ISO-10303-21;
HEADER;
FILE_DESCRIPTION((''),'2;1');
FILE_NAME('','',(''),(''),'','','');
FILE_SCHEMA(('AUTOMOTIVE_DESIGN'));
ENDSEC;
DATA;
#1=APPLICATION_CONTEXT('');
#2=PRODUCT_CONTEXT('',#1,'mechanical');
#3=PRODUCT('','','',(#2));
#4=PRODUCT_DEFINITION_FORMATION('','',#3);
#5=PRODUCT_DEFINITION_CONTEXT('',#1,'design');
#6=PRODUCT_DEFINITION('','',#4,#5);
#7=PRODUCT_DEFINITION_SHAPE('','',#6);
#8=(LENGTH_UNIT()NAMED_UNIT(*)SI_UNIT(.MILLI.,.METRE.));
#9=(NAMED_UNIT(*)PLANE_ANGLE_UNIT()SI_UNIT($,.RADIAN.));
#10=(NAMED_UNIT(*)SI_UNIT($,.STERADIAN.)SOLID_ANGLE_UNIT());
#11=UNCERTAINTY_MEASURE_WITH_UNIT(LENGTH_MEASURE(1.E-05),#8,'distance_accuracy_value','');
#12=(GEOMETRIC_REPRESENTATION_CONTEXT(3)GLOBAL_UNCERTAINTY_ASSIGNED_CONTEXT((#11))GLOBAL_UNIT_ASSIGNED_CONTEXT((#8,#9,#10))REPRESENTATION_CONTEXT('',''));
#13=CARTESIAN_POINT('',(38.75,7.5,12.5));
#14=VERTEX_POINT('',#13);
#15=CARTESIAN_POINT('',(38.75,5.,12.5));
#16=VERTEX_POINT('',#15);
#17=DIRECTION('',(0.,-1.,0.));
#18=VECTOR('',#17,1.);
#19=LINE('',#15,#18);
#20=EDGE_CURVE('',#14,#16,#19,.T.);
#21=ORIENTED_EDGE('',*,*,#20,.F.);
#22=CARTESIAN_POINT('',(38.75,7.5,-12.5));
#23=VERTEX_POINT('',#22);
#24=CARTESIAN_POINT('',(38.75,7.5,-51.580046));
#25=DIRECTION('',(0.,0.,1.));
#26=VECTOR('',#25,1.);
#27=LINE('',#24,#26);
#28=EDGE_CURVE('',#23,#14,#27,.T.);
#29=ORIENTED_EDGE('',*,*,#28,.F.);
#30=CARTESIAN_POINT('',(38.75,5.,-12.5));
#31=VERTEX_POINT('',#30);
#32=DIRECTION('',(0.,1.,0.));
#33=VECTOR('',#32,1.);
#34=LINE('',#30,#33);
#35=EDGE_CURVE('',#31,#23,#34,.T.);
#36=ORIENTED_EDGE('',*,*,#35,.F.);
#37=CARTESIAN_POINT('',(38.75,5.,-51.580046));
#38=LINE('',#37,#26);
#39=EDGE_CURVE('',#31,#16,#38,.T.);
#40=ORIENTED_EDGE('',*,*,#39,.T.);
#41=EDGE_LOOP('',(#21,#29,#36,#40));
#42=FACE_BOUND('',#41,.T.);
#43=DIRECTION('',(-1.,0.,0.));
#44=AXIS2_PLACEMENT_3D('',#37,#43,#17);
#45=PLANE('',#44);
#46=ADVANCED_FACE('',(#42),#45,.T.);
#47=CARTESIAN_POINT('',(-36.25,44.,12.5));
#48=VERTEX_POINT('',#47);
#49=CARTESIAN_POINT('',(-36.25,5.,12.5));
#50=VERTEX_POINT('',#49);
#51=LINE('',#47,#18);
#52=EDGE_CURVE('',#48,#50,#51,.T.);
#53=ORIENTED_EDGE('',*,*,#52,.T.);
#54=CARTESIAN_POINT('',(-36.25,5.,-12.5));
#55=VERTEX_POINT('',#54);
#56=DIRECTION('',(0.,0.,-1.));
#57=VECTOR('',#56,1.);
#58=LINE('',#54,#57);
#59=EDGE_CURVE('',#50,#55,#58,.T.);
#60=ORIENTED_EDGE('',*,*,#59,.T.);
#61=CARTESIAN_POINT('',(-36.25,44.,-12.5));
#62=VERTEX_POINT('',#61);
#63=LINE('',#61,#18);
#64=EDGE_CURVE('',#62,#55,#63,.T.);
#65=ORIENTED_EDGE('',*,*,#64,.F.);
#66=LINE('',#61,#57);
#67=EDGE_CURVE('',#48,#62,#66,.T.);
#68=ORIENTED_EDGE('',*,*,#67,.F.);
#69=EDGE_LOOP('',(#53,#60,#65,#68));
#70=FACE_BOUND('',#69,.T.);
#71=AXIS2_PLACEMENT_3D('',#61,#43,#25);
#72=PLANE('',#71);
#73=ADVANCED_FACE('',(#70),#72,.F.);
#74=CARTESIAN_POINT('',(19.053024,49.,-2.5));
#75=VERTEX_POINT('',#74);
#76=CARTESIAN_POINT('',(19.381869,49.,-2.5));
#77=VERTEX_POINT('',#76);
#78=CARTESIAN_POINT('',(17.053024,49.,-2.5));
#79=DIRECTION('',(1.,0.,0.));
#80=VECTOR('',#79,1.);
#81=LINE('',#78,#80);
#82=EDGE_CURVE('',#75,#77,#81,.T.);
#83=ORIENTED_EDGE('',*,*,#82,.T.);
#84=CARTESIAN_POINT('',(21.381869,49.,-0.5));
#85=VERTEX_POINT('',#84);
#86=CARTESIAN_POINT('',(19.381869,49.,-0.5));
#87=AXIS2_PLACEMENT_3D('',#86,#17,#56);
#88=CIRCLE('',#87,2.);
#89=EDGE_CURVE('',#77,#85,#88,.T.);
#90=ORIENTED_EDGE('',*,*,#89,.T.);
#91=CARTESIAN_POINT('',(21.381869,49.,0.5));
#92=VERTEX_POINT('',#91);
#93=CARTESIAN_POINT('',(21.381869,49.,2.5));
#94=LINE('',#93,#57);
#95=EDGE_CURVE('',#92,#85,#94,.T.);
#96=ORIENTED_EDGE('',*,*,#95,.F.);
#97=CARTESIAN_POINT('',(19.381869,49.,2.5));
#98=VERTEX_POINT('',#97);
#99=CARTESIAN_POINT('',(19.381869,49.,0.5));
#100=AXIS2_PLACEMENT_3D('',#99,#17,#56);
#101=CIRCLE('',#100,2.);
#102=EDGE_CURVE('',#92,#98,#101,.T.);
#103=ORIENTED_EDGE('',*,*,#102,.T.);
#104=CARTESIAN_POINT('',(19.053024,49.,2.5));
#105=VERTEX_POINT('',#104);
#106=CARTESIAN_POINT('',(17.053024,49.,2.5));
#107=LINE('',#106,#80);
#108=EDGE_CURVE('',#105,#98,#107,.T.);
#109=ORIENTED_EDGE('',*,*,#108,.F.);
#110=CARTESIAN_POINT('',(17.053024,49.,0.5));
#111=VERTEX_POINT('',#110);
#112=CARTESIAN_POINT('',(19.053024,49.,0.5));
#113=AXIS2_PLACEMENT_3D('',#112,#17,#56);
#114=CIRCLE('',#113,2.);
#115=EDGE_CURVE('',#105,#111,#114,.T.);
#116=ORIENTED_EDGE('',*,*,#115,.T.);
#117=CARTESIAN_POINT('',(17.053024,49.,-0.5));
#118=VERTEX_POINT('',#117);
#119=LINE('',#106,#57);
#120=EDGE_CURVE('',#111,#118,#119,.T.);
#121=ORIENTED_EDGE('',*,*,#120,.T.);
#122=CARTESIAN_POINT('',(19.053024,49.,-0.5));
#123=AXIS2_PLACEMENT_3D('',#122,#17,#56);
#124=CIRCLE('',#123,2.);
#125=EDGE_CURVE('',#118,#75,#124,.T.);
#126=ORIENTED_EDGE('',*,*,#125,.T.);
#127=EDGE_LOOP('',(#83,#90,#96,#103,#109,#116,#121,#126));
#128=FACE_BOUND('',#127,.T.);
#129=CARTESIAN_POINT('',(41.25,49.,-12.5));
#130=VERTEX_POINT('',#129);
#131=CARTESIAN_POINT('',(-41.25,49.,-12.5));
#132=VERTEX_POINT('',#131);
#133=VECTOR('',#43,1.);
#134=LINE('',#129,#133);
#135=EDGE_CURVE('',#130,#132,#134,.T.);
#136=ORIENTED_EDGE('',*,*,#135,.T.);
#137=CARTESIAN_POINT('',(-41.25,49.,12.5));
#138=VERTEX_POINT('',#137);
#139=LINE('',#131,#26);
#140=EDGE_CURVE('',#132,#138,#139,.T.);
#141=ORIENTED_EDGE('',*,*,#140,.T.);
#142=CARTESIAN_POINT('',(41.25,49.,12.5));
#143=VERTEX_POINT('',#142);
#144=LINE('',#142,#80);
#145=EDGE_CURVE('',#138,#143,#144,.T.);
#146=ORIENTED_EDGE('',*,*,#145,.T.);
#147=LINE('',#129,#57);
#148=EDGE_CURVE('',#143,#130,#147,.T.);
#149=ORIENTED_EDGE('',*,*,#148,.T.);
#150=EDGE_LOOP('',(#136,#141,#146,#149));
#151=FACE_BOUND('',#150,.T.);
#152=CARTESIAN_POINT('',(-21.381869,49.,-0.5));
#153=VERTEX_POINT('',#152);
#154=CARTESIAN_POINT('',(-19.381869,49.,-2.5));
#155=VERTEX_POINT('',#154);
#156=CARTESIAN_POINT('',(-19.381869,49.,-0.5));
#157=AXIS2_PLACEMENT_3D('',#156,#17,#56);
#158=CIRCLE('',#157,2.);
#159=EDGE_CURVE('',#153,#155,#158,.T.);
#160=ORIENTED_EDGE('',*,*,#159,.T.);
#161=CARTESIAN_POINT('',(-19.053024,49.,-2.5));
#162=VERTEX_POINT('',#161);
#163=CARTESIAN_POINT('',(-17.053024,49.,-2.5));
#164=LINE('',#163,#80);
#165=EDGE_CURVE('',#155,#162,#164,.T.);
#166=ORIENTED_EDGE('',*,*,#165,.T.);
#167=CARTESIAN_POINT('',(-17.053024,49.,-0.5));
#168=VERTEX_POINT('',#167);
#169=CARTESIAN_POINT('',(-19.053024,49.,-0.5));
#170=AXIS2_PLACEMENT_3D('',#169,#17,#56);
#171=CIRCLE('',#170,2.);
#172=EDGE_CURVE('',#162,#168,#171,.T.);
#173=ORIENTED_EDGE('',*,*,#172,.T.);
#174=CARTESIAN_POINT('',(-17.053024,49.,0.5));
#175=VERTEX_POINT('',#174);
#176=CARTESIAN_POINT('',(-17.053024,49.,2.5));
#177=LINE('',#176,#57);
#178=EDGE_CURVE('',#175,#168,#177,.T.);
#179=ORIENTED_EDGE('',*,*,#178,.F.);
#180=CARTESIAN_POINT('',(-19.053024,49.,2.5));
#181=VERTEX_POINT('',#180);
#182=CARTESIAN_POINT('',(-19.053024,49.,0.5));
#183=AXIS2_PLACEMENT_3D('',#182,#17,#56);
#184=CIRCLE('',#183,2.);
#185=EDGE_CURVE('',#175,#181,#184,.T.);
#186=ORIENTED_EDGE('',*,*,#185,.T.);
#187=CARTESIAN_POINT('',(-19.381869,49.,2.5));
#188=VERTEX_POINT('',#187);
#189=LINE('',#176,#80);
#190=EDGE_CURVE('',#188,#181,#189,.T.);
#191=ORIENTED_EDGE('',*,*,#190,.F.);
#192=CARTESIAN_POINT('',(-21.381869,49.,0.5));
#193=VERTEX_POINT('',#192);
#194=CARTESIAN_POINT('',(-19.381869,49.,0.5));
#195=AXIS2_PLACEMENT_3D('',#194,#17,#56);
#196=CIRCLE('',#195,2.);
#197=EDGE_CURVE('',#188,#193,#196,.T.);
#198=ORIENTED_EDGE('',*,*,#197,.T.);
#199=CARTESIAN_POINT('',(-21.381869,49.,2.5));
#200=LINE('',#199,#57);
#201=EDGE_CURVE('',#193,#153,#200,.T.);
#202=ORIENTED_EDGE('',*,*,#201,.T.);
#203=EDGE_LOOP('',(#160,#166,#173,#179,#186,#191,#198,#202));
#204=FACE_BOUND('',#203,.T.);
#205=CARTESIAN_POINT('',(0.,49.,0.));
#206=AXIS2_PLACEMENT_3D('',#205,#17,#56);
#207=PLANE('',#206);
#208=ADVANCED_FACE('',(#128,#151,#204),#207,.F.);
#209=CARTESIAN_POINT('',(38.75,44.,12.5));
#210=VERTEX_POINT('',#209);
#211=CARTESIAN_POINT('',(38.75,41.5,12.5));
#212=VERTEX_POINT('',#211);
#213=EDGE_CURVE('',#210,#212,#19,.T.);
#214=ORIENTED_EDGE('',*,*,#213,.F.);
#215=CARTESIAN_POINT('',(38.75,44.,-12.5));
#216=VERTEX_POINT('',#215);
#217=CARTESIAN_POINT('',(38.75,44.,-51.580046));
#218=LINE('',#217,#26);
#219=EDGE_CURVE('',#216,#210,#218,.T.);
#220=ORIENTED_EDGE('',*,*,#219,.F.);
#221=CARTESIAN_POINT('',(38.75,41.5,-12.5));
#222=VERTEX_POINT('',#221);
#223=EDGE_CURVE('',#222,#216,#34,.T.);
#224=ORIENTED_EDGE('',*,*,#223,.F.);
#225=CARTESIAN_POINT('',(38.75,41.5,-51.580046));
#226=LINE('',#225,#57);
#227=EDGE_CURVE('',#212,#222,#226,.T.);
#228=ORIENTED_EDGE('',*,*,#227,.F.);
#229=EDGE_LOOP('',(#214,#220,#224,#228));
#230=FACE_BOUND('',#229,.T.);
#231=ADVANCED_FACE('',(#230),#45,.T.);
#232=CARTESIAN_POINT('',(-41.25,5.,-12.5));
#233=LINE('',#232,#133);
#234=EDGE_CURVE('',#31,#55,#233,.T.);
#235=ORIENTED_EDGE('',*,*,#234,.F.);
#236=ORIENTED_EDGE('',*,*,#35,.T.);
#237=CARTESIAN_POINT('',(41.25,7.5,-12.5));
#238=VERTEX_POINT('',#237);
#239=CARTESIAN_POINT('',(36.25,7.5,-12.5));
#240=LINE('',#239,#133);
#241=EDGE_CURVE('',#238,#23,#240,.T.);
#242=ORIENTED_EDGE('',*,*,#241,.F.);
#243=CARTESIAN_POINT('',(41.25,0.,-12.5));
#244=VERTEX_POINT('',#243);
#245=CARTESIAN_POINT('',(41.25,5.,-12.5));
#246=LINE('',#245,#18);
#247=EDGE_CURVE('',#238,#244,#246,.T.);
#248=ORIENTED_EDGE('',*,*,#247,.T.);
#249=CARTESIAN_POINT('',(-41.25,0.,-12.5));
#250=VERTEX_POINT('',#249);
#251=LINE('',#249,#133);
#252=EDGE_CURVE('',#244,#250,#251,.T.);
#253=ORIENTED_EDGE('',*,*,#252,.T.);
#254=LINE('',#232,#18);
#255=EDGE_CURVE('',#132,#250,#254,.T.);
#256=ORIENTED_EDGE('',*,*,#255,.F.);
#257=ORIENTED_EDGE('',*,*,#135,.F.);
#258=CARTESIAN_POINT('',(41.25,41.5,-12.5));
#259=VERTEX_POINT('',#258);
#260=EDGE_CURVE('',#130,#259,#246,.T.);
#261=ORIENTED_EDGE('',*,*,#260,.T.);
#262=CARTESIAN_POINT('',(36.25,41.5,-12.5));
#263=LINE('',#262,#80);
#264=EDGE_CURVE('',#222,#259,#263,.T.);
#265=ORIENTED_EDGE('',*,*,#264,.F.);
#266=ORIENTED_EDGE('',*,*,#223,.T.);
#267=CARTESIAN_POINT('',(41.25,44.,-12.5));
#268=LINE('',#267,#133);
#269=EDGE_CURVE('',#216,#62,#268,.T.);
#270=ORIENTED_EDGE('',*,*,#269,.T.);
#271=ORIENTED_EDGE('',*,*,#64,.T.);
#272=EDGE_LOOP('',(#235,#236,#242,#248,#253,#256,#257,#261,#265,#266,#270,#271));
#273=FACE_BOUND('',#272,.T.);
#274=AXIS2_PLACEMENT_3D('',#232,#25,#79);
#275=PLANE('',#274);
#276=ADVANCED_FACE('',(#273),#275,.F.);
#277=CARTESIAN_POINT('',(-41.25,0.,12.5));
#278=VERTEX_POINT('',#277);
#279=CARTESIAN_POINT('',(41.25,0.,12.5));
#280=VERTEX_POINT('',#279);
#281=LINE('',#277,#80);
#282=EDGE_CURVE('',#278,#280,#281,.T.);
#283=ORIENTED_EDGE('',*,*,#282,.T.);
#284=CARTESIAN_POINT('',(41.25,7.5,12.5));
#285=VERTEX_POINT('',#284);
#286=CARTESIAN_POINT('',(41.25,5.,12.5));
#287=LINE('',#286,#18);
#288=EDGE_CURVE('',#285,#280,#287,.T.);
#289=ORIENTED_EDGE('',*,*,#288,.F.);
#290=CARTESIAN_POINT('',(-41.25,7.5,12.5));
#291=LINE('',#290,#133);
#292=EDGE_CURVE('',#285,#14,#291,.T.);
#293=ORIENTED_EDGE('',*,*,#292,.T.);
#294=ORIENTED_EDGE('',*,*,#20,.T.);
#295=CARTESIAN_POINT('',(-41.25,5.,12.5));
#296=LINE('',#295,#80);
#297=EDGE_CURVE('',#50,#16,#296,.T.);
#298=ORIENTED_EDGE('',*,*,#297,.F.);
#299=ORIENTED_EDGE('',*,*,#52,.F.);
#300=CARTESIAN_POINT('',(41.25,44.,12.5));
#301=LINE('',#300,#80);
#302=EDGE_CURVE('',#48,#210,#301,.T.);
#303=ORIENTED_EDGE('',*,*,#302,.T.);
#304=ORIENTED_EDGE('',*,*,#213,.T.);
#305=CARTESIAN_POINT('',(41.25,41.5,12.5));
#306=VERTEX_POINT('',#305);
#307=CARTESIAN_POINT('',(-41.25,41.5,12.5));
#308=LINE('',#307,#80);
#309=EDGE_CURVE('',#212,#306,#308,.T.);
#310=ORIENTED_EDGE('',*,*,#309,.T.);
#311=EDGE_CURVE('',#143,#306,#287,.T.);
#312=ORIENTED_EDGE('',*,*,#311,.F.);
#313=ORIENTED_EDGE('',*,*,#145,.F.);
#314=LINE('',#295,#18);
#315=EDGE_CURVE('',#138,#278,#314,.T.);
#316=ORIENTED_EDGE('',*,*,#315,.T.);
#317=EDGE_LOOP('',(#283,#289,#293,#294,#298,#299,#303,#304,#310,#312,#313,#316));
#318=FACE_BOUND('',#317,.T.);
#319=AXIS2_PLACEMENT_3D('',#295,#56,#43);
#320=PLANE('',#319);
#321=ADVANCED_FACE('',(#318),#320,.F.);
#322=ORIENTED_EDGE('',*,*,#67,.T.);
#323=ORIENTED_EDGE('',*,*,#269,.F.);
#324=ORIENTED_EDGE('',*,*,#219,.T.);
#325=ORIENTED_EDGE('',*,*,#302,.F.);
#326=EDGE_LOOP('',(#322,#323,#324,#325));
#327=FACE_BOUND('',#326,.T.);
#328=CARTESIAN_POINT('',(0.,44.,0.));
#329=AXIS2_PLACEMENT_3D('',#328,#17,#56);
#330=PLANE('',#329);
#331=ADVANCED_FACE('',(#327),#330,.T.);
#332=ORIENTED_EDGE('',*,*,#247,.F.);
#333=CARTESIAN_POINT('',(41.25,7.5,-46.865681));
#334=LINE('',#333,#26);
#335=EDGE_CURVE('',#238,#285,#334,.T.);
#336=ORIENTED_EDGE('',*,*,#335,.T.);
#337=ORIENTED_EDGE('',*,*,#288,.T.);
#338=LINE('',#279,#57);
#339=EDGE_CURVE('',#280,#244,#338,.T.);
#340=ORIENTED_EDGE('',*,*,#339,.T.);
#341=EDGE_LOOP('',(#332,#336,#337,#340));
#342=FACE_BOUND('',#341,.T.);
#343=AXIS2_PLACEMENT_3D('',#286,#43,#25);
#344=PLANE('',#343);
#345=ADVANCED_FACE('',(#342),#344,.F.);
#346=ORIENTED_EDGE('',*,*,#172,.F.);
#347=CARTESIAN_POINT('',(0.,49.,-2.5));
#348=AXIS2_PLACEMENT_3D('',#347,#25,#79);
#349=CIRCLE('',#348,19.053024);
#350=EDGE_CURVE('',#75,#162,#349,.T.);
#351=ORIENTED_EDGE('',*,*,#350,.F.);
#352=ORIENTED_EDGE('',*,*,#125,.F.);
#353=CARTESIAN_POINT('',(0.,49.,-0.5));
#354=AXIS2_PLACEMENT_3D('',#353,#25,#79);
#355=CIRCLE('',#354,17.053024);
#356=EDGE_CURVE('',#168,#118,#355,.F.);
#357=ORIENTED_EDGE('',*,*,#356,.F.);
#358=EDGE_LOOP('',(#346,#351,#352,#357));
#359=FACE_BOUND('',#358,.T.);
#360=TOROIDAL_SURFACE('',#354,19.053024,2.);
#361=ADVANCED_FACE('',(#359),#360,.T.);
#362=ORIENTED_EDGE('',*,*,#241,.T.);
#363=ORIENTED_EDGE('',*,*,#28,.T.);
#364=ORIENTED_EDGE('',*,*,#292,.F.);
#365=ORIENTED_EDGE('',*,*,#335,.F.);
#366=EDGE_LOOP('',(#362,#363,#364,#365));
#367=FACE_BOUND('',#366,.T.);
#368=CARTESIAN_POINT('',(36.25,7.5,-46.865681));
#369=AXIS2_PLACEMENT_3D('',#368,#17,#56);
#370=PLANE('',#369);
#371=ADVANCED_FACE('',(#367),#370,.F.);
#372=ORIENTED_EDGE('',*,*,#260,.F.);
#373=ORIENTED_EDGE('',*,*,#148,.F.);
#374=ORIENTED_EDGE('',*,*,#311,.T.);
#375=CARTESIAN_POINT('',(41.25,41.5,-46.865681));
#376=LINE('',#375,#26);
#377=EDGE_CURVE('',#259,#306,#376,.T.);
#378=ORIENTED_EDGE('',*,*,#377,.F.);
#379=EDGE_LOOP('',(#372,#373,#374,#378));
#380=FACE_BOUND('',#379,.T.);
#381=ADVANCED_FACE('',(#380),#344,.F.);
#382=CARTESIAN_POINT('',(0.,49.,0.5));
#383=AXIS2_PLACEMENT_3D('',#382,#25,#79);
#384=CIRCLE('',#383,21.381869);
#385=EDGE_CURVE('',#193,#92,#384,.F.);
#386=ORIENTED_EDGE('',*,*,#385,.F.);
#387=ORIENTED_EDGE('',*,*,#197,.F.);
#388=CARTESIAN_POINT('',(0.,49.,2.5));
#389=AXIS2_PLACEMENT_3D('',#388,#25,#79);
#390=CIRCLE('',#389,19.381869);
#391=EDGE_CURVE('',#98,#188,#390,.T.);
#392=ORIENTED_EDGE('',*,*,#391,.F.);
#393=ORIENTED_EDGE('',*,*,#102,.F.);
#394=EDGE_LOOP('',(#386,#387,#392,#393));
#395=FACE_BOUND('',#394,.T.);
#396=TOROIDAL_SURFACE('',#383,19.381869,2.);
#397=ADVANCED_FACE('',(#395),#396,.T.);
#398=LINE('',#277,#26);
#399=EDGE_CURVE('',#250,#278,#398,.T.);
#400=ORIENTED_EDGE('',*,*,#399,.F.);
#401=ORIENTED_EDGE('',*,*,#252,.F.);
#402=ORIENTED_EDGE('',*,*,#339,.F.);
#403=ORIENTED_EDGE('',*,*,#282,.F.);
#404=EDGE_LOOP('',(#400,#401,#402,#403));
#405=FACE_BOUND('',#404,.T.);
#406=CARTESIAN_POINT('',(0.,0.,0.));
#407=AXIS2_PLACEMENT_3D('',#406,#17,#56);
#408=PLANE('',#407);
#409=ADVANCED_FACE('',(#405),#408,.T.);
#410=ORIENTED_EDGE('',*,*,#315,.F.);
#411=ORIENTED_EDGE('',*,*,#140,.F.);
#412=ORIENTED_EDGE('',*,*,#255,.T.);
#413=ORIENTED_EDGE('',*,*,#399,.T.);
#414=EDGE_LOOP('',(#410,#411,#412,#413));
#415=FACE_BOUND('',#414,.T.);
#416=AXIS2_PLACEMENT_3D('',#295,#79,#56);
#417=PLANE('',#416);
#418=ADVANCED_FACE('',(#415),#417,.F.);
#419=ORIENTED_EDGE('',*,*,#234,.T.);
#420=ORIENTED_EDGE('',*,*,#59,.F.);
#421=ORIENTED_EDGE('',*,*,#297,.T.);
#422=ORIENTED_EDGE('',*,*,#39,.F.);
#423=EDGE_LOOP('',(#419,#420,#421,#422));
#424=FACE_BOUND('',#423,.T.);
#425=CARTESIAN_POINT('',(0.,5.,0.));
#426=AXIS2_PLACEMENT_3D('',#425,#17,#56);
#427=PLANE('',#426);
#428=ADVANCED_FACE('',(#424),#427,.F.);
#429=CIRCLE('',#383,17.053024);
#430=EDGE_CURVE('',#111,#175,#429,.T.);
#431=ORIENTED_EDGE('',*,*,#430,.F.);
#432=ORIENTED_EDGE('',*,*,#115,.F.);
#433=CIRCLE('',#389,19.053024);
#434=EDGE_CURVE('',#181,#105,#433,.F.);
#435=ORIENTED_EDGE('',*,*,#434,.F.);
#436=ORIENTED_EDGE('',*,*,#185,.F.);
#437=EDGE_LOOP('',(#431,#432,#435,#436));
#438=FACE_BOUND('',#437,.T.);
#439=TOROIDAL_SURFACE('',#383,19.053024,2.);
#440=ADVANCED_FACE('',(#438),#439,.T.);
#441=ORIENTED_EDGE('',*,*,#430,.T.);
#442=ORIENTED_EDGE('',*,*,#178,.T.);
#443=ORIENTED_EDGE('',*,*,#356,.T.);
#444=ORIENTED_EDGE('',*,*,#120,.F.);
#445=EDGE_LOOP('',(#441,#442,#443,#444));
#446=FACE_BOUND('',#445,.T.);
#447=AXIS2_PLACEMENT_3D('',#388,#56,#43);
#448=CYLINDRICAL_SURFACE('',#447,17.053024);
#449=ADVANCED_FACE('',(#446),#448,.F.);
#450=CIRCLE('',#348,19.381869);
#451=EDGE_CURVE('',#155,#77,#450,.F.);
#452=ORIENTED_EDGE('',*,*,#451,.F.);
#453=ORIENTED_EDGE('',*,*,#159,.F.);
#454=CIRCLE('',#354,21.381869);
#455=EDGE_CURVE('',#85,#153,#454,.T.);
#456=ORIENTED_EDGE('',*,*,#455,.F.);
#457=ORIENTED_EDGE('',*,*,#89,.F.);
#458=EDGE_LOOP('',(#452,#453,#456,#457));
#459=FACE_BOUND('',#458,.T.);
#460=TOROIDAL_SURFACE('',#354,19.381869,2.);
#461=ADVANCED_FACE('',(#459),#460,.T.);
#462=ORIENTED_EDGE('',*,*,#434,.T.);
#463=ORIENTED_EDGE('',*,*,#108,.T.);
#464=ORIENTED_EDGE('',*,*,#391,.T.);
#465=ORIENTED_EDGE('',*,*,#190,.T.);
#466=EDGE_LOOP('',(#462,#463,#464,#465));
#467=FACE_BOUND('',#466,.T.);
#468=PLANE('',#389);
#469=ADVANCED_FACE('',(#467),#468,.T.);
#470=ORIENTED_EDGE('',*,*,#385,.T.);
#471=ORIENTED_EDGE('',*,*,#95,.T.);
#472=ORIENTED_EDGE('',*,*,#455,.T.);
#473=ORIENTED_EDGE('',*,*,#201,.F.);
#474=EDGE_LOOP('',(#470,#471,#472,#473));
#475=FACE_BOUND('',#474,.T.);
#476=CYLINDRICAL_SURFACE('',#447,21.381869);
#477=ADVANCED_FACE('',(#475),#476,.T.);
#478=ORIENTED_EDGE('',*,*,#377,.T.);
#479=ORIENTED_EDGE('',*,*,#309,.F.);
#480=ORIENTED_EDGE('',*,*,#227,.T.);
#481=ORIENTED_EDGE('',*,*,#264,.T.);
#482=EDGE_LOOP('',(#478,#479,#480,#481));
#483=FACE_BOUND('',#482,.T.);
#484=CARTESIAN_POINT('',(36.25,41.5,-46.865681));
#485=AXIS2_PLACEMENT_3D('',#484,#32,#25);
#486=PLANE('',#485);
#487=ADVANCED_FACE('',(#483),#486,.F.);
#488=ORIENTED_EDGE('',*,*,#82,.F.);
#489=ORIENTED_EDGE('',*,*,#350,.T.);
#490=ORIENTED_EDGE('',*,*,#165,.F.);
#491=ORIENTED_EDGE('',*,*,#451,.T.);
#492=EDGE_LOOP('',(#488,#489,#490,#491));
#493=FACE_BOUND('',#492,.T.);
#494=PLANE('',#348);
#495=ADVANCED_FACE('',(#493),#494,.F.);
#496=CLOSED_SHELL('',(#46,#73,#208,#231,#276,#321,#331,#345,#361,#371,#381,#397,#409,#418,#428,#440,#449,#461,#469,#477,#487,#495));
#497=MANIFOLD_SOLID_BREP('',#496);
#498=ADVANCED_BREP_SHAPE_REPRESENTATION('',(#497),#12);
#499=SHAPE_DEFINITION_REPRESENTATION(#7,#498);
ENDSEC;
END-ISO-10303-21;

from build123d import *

# Parameters (mm, degrees)
SKETCH1_W               = 82.5
SKETCH1_H               = 25
BOSS_EXTRUDE1_DEPTH     = 5
SKETCH2_W               = 5
SKETCH2_H               = 25
BOSS_EXTRUDE2_DEPTH     = 39
SKETCH3_W               = 82.5
SKETCH3_H               = 25
BOSS_EXTRUDE3_DEPTH     = 5
BOSS_EXTRUDE4_DEPTH     = 2.5
SKETCH5_W               = 2.5
SKETCH5_H               = 39
BOSS_EXTRUDE5_DEPTH     = 25
CUT_EXTRUDE1_DEPTH      = 86.323912034
CUT_EXTRUDE1_DEPTH_BACK = 25
SKETCH6_W               = 5
SKETCH6_H               = 34
FILLET1_R               = 2
FILLET2_R               = 2


with BuildPart() as part:
    # Sketch1 → Boss-Extrude1 (new body)
    with BuildSketch(Plane(origin=(0, 0, 0), x_dir=(1, 0, 0), z_dir=(0, 1, 0))):
        Rectangle(SKETCH1_W, SKETCH1_H)
    extrude(amount=BOSS_EXTRUDE1_DEPTH)

    # Sketch2 → Boss-Extrude2 (add)
    with BuildSketch(Plane(origin=(0, 5, 0), x_dir=(1, 0, 0), z_dir=(0, 1, 0))):
        with Locations((-38.75, 0)):
            Rectangle(SKETCH2_W, SKETCH2_H)
    extrude(amount=BOSS_EXTRUDE2_DEPTH)

    # Sketch3 → Boss-Extrude3 (add)
    with BuildSketch(Plane(origin=(0, 44, 0), x_dir=(1, 0, 0), z_dir=(0, 1, 0))):
        Rectangle(SKETCH3_W, SKETCH3_H)
    extrude(amount=BOSS_EXTRUDE3_DEPTH)

    # Sketch4 → Boss-Extrude4 (add, symmetric)
    with BuildSketch(Plane.XY):
        with BuildLine():
            Line((-17.053024247, 49), (-21.381868864, 49))
            ThreePointArc((-21.381868864, 49), (0, 70.381868864), (21.381868864, 49))
            Line((21.381868864, 49), (17.053024247, 49))
            ThreePointArc((17.053024247, 49), (0, 66.053024247), (-17.053024247, 49))
        make_face()
    extrude(amount=BOSS_EXTRUDE4_DEPTH, both=True)

    # Sketch5 → Boss-Extrude5 (add)
    with BuildSketch(Plane.XY.offset(12.5)):
        with Locations((40, 24.5)):
            Rectangle(SKETCH5_W, SKETCH5_H)
    extrude(amount=-BOSS_EXTRUDE5_DEPTH)

    # Sketch6 → Cut-Extrude1 (cut, two sides: drawn at the far end of the back side and taken through both)
    with BuildSketch(Plane.XY.offset(12.5).offset(-CUT_EXTRUDE1_DEPTH_BACK)):
        with Locations((38.75, 24.5)):
            Rectangle(SKETCH6_W, SKETCH6_H)
    extrude(amount=CUT_EXTRUDE1_DEPTH + CUT_EXTRUDE1_DEPTH_BACK, mode=Mode.SUBTRACT)

    # Fillet1
    fillet1_edges = [part.edges().sort_by_distance(p)[0] for p in [
        (0, 70.381868864, -2.5),
        (0, 70.381868864, 2.5),
    ]]
    fillet(fillet1_edges, radius=FILLET1_R)

    # Fillet2
    fillet2_edges = [part.edges().sort_by_distance(p)[0] for p in [
        (0, 66.053024247, -2.5),
        (0, 66.053024247, 2.5),
    ]]
    fillet(fillet2_edges, radius=FILLET2_R)


solid = part.part
